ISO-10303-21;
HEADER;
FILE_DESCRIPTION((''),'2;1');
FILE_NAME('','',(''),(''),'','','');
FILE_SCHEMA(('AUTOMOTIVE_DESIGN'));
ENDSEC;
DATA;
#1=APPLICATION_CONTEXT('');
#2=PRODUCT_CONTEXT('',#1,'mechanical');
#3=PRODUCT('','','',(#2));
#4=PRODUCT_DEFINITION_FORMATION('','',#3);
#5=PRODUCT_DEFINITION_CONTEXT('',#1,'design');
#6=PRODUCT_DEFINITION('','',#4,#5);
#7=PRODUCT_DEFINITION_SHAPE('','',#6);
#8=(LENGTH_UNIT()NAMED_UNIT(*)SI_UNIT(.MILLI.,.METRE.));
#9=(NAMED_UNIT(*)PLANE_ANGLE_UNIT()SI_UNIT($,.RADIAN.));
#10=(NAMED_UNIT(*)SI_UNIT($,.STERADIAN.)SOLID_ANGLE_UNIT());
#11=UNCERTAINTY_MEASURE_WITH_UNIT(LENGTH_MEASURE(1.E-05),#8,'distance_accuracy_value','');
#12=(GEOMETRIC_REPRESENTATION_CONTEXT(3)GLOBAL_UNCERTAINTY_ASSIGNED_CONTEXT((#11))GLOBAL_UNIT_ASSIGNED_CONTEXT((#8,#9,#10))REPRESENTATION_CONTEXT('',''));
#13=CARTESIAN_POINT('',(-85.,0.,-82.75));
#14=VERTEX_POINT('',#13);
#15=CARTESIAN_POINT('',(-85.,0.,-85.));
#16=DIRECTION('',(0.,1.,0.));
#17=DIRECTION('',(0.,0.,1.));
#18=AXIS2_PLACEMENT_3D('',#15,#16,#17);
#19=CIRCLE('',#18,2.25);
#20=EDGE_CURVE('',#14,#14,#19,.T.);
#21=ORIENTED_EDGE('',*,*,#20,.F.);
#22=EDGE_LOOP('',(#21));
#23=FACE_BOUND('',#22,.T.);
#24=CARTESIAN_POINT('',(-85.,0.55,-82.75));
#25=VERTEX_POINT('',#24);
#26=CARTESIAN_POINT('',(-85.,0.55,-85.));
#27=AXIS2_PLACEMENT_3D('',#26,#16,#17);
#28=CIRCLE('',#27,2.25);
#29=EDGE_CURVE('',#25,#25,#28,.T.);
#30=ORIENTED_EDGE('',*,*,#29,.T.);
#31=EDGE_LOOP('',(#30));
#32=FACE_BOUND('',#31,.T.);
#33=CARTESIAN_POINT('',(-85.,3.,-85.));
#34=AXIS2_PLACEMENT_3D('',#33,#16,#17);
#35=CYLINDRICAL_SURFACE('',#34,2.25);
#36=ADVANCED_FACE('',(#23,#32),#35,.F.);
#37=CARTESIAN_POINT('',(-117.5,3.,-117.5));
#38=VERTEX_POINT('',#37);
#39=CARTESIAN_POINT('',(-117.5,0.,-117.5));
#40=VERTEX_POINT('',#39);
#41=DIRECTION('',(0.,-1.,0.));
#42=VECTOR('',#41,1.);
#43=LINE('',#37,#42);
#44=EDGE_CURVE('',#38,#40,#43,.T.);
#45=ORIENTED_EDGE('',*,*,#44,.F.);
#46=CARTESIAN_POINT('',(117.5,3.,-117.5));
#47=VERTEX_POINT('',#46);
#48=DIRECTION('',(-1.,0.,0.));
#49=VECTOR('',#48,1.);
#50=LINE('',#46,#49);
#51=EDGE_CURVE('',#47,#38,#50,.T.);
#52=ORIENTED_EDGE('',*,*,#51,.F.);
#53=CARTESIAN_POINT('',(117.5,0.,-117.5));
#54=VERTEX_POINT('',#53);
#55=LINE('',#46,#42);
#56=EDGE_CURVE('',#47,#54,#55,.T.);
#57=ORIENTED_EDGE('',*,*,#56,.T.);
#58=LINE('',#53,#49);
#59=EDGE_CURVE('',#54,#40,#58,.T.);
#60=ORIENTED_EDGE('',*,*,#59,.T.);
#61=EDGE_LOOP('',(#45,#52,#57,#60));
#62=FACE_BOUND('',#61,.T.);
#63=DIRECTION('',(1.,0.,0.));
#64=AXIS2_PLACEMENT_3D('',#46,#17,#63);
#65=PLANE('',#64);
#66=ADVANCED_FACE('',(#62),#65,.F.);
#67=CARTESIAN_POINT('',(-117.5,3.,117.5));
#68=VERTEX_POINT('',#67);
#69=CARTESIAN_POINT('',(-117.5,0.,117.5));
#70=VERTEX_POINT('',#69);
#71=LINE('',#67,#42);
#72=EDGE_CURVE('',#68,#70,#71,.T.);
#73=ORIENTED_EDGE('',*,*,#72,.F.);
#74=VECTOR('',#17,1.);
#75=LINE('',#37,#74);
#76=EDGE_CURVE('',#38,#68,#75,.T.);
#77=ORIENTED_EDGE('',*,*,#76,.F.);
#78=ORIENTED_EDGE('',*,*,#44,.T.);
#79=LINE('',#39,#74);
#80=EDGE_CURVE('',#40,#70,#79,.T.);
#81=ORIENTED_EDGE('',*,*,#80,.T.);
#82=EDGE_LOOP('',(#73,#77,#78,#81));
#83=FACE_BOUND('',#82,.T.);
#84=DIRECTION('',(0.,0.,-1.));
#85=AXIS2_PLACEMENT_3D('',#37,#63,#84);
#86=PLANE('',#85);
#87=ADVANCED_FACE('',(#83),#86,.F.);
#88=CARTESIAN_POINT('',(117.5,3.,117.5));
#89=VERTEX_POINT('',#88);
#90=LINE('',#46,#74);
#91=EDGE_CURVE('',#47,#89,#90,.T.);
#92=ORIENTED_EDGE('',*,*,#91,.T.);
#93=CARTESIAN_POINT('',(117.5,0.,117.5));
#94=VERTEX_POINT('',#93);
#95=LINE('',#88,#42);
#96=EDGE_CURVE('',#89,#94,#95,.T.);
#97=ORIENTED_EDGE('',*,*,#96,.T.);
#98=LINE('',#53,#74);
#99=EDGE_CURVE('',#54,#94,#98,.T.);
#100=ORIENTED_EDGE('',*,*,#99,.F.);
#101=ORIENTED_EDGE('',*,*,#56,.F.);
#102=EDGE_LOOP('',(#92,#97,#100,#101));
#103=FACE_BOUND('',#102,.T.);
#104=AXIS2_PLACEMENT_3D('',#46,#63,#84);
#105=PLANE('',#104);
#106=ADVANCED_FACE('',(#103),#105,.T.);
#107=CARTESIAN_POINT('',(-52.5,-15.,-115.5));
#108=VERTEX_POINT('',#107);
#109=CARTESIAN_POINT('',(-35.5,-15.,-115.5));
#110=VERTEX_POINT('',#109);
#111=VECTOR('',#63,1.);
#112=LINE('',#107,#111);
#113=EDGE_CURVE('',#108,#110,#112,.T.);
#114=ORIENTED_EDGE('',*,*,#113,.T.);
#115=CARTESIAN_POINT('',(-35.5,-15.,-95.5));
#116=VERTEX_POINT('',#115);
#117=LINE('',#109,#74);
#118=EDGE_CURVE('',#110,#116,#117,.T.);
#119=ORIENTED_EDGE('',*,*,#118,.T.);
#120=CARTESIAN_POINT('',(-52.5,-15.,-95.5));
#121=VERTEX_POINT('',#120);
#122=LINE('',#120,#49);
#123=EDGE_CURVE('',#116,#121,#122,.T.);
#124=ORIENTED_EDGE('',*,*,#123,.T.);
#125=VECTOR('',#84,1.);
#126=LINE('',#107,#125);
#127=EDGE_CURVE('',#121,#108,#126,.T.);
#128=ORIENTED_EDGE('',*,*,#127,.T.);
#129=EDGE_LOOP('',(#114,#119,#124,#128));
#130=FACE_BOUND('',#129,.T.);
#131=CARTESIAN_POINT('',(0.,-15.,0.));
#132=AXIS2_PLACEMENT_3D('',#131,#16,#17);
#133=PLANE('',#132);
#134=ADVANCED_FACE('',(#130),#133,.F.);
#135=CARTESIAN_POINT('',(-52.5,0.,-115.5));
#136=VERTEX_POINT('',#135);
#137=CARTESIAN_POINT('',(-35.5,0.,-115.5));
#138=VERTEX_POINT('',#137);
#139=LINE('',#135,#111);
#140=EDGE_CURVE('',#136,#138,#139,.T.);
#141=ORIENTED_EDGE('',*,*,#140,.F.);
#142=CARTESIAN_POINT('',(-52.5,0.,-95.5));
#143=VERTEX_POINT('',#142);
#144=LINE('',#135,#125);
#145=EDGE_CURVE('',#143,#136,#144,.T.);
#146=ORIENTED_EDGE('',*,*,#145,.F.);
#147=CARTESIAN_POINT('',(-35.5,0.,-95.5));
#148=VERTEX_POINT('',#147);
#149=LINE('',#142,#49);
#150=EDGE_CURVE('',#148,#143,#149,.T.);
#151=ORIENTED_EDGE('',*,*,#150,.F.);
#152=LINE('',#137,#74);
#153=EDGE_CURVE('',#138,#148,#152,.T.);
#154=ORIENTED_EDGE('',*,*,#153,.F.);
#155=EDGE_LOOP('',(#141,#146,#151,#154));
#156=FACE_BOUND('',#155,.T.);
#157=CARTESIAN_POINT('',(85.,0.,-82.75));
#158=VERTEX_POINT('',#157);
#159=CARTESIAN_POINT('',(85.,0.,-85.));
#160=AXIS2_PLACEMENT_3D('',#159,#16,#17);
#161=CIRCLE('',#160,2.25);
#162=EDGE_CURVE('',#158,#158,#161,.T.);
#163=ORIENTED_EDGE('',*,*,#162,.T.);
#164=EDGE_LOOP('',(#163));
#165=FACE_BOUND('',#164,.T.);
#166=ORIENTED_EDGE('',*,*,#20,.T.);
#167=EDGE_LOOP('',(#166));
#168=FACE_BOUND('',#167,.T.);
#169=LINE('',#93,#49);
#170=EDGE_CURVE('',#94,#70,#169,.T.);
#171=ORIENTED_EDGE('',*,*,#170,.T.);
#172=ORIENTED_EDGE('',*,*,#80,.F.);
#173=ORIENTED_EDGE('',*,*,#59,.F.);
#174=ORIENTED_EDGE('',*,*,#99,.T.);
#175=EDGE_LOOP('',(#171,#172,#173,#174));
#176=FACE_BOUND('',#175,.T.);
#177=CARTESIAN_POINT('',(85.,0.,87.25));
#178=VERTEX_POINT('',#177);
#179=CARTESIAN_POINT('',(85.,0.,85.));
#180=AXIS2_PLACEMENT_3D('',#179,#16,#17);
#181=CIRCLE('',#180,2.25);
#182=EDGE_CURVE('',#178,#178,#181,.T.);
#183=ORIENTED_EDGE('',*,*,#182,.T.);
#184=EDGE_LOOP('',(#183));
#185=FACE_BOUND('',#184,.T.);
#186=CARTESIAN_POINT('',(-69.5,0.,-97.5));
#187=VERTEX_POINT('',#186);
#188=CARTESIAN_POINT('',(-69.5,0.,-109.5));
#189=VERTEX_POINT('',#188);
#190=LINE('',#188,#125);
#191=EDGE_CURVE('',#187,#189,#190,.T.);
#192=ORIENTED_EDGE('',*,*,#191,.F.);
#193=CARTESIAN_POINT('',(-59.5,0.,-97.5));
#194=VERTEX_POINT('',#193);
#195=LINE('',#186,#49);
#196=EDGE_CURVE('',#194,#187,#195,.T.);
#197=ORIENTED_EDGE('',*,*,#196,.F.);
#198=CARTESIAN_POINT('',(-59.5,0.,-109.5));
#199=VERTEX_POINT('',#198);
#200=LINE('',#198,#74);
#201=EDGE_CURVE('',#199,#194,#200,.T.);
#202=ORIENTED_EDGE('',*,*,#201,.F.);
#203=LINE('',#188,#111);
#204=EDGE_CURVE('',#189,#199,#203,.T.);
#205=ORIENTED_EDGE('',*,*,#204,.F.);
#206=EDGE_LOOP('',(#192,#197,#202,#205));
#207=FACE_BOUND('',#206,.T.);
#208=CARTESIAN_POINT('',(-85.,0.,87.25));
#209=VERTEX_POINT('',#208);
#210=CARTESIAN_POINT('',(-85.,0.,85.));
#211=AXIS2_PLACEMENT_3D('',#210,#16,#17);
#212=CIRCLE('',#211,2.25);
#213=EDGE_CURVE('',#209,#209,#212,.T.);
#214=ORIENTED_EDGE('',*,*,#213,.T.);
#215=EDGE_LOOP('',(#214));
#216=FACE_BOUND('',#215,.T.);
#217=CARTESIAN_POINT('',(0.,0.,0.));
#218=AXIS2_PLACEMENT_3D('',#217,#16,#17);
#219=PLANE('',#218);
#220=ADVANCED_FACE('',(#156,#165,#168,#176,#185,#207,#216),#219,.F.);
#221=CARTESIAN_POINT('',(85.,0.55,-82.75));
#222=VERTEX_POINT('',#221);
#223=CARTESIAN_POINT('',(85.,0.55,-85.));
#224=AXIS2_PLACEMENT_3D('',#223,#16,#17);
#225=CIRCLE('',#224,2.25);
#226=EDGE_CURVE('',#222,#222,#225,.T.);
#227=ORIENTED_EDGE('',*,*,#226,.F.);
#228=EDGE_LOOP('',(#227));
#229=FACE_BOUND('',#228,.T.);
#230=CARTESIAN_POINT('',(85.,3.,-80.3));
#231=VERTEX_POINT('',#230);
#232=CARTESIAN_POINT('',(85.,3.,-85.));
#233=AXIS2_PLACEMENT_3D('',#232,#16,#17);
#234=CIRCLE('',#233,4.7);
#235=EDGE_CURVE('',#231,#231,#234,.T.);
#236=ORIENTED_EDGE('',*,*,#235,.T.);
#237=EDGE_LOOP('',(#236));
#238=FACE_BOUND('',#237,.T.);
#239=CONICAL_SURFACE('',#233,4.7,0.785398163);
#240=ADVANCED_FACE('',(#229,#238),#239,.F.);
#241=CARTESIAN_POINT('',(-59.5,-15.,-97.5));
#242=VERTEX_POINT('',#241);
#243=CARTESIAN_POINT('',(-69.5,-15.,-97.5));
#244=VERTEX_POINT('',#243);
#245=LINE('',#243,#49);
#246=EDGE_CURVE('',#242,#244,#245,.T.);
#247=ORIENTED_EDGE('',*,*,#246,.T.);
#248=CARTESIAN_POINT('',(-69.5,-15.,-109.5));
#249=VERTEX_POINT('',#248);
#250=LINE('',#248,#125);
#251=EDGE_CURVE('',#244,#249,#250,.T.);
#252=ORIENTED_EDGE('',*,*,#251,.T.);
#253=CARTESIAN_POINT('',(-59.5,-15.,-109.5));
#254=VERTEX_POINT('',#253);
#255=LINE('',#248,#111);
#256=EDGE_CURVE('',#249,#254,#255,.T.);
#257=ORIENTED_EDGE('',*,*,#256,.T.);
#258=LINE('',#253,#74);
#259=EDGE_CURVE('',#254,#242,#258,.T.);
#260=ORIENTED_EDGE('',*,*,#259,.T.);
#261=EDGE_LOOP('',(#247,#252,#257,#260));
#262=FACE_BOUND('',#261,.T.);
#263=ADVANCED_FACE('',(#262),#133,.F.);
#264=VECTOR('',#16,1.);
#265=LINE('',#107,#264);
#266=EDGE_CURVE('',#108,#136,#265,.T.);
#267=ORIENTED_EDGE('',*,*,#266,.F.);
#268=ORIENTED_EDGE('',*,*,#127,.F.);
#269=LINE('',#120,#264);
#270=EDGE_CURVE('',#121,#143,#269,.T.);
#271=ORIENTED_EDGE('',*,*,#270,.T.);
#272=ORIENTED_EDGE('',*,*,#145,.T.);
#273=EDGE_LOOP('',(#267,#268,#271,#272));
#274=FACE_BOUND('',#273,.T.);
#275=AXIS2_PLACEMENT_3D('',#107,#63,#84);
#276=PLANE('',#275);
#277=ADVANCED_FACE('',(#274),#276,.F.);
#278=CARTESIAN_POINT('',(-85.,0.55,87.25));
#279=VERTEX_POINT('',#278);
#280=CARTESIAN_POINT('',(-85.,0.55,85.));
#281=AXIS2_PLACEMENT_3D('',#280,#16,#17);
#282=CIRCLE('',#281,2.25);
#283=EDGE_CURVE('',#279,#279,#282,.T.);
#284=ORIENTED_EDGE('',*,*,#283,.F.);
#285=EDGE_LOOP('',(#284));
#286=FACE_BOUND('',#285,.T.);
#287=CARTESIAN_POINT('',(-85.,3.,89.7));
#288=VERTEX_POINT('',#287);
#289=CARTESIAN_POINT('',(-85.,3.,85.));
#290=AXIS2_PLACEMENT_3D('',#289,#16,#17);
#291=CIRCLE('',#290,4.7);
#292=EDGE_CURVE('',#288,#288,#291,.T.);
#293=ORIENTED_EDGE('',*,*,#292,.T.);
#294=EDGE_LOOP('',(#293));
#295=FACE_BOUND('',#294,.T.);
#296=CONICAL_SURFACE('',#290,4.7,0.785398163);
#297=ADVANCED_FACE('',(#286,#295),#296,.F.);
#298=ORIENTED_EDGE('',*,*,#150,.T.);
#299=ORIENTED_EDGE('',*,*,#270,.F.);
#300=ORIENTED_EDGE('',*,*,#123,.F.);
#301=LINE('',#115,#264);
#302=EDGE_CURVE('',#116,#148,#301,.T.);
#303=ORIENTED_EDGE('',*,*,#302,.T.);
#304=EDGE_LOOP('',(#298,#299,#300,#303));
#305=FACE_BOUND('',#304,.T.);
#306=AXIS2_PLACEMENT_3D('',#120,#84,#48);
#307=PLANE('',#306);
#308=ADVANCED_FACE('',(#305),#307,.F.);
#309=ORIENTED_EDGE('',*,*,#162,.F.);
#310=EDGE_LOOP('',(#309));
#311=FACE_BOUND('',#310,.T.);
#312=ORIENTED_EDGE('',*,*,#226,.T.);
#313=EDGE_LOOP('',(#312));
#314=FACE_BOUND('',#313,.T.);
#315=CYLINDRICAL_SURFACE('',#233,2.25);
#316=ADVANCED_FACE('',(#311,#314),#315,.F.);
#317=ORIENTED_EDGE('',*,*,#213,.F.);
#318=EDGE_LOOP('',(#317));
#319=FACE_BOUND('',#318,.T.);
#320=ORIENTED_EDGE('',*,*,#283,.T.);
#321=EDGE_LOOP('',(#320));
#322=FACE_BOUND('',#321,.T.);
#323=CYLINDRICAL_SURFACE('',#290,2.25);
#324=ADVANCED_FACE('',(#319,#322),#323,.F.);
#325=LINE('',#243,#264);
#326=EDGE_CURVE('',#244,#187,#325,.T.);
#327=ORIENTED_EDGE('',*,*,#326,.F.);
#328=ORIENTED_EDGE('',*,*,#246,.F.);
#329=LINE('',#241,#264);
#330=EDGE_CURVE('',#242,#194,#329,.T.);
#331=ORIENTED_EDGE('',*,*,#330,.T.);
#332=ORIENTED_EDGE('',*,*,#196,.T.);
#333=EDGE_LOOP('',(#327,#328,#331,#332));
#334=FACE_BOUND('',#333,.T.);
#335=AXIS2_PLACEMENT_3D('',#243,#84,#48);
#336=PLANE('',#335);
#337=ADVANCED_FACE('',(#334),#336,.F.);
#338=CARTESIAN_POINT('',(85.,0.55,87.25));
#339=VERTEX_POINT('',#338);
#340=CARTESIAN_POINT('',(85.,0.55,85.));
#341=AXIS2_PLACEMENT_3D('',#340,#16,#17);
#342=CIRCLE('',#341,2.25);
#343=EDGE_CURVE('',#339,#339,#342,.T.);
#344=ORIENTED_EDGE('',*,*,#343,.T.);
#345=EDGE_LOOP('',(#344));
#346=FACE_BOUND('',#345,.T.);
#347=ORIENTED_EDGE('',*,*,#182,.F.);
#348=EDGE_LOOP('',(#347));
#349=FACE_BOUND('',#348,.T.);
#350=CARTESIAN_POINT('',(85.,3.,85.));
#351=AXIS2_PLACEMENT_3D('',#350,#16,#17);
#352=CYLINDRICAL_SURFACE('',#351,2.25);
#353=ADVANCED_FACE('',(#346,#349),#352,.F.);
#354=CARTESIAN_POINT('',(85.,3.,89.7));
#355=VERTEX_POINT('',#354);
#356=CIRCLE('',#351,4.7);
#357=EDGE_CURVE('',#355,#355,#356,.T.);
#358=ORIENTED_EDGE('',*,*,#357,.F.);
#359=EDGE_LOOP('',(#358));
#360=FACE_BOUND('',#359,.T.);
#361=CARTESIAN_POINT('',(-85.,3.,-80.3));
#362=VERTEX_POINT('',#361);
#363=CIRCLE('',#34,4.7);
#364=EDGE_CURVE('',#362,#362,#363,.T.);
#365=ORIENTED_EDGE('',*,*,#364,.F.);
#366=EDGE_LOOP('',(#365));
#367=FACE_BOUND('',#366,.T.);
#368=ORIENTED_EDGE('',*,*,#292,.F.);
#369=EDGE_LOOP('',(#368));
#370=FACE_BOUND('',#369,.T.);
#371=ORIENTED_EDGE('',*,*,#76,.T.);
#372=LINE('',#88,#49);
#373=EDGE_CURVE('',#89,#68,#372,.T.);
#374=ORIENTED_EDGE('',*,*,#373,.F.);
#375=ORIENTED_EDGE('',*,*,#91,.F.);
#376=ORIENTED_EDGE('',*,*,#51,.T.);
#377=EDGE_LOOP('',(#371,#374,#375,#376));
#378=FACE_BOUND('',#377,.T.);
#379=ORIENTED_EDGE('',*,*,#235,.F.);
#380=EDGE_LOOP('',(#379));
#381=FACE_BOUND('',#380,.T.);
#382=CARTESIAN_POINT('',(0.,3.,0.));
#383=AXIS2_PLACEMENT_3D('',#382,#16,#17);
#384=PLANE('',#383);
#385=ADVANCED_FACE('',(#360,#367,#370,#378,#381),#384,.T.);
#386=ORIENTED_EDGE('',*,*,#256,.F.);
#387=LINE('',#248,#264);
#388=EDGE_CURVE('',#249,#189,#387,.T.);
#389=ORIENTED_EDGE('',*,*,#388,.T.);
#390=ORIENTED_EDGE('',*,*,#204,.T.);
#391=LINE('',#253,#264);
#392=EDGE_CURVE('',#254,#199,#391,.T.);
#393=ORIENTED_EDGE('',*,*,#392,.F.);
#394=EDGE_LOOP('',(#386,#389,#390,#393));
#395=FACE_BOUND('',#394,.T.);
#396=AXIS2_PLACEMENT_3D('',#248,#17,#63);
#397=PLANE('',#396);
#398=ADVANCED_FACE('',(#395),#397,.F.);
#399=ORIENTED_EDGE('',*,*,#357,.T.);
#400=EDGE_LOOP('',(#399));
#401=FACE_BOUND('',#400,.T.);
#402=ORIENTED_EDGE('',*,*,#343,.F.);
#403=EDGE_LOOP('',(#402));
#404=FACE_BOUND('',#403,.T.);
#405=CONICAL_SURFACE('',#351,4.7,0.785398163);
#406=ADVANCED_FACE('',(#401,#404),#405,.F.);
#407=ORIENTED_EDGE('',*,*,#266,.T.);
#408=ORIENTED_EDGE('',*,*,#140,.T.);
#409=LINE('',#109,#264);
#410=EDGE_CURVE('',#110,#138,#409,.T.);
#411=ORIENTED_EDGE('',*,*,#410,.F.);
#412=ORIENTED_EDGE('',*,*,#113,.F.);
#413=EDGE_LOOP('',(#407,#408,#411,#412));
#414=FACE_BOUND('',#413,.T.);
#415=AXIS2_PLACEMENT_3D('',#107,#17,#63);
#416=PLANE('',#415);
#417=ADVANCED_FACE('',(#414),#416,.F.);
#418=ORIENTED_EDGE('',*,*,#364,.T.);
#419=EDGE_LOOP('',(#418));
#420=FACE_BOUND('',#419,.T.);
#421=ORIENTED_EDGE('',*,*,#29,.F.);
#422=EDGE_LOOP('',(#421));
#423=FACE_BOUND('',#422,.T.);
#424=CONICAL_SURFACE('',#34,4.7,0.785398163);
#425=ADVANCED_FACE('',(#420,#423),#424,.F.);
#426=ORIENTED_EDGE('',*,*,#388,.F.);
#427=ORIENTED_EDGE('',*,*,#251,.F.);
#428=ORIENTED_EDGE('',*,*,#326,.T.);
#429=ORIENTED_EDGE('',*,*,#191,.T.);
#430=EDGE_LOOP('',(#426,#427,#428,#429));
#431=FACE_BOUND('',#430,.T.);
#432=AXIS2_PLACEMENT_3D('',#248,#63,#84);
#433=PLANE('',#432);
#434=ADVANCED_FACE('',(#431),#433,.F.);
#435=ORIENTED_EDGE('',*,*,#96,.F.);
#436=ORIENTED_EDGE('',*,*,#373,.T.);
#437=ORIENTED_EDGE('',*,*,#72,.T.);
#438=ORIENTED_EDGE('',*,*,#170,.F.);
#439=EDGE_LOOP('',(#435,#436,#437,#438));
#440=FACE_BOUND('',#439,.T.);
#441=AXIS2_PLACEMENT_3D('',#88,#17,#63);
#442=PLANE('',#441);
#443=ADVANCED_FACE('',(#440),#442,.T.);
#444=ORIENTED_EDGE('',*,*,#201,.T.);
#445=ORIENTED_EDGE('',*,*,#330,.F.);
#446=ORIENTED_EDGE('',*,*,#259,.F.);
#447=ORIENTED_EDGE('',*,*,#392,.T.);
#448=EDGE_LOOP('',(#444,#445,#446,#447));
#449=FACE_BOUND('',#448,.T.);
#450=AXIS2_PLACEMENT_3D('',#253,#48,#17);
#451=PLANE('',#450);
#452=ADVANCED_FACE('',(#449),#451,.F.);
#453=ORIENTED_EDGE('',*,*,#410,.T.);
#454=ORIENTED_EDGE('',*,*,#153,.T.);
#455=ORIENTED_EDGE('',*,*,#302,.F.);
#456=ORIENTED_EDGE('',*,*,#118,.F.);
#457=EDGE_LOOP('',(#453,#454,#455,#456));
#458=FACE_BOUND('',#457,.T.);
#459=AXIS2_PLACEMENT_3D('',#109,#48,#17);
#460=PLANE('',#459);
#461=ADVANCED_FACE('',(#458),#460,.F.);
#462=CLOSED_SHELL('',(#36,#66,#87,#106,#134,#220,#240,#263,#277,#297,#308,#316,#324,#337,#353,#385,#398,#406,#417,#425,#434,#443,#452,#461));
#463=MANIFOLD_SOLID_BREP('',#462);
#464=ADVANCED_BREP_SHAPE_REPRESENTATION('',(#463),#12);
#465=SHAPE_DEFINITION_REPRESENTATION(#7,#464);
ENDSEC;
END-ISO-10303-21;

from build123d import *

# Parameters (mm, degrees)
SKETCH1_W                                      = 235
SKETCH1_H                                      = 235
BOSS_EXTRUDE1_DEPTH                            = 3
CSK_FOR_M4_FLAT_HEAD_MACHINE_SCREW1_AT_2_COUNT = 2
CSK_FOR_M4_FLAT_HEAD_MACHINE_SCREW1_AT_2_PITCH = 170
CSK_FOR_M4_FLAT_HEAD_MACHINE_SCREW1_AT_3_COUNT = 2
CSK_FOR_M4_FLAT_HEAD_MACHINE_SCREW1_AT_3_PITCH = 240.416305603
CSK_FOR_M4_FLAT_HEAD_MACHINE_SCREW1_AT_4_COUNT = 2
CSK_FOR_M4_FLAT_HEAD_MACHINE_SCREW1_AT_4_PITCH = 170
SKETCH9_W                                      = 10
SKETCH9_H                                      = 12
SKETCH9_W_2                                    = 17
SKETCH9_H_2                                    = 20
BOSS_EXTRUDE5_DEPTH                            = 15


with BuildPart() as part:
    # Sketch1 → Boss-Extrude1 (new body)
    with BuildSketch(Plane(origin=(0, 0, 0), x_dir=(1, 0, 0), z_dir=(0, 1, 0))):
        Rectangle(SKETCH1_W, SKETCH1_H)
    extrude(amount=BOSS_EXTRUDE1_DEPTH)

    # Sketch3 → CSK for M4 Flat Head Machine Screw1 (revolve, cut)
    with BuildSketch(Plane(origin=(-85, 3, -85), x_dir=(0, 0, 1), z_dir=(1, 0, 0))):
        Polygon((0, 0), (0, 3), (2.25, 3), (2.25, 2.45), (4.7, 0), align=None)
    csk_for_m4_flat_head_machine_screw1 = revolve(axis=Axis((-85, 9.35, -85), (0, -1, 0)), mode=Mode.SUBTRACT)

    # CSK for M4 Flat Head Machine Screw1 at 2: CSK for M4 Flat Head Machine Screw1 ×2
    with Locations(*[(i * CSK_FOR_M4_FLAT_HEAD_MACHINE_SCREW1_AT_2_PITCH, 0, 0) for i in range(1, CSK_FOR_M4_FLAT_HEAD_MACHINE_SCREW1_AT_2_COUNT)]):
        add(csk_for_m4_flat_head_machine_screw1, mode=Mode.SUBTRACT)

    # CSK for M4 Flat Head Machine Screw1 at 3: CSK for M4 Flat Head Machine Screw1 ×2
    with Locations(*[Vector(0.707106781, 0, 0.707106781) * (i * CSK_FOR_M4_FLAT_HEAD_MACHINE_SCREW1_AT_3_PITCH) for i in range(1, CSK_FOR_M4_FLAT_HEAD_MACHINE_SCREW1_AT_3_COUNT)]):
        add(csk_for_m4_flat_head_machine_screw1, mode=Mode.SUBTRACT)

    # CSK for M4 Flat Head Machine Screw1 at 4: CSK for M4 Flat Head Machine Screw1 ×2
    with Locations(*[(0, 0, i * CSK_FOR_M4_FLAT_HEAD_MACHINE_SCREW1_AT_4_PITCH) for i in range(1, CSK_FOR_M4_FLAT_HEAD_MACHINE_SCREW1_AT_4_COUNT)]):
        add(csk_for_m4_flat_head_machine_screw1, mode=Mode.SUBTRACT)

    # Sketch9 → Boss-Extrude5 (add)
    with BuildSketch(Plane.XZ):
        with Locations((-64.5, -103.5)):
            Rectangle(SKETCH9_W, SKETCH9_H)
        with Locations((-44, -105.5)):
            Rectangle(SKETCH9_W_2, SKETCH9_H_2)
    extrude(amount=BOSS_EXTRUDE5_DEPTH)


solid = part.part
